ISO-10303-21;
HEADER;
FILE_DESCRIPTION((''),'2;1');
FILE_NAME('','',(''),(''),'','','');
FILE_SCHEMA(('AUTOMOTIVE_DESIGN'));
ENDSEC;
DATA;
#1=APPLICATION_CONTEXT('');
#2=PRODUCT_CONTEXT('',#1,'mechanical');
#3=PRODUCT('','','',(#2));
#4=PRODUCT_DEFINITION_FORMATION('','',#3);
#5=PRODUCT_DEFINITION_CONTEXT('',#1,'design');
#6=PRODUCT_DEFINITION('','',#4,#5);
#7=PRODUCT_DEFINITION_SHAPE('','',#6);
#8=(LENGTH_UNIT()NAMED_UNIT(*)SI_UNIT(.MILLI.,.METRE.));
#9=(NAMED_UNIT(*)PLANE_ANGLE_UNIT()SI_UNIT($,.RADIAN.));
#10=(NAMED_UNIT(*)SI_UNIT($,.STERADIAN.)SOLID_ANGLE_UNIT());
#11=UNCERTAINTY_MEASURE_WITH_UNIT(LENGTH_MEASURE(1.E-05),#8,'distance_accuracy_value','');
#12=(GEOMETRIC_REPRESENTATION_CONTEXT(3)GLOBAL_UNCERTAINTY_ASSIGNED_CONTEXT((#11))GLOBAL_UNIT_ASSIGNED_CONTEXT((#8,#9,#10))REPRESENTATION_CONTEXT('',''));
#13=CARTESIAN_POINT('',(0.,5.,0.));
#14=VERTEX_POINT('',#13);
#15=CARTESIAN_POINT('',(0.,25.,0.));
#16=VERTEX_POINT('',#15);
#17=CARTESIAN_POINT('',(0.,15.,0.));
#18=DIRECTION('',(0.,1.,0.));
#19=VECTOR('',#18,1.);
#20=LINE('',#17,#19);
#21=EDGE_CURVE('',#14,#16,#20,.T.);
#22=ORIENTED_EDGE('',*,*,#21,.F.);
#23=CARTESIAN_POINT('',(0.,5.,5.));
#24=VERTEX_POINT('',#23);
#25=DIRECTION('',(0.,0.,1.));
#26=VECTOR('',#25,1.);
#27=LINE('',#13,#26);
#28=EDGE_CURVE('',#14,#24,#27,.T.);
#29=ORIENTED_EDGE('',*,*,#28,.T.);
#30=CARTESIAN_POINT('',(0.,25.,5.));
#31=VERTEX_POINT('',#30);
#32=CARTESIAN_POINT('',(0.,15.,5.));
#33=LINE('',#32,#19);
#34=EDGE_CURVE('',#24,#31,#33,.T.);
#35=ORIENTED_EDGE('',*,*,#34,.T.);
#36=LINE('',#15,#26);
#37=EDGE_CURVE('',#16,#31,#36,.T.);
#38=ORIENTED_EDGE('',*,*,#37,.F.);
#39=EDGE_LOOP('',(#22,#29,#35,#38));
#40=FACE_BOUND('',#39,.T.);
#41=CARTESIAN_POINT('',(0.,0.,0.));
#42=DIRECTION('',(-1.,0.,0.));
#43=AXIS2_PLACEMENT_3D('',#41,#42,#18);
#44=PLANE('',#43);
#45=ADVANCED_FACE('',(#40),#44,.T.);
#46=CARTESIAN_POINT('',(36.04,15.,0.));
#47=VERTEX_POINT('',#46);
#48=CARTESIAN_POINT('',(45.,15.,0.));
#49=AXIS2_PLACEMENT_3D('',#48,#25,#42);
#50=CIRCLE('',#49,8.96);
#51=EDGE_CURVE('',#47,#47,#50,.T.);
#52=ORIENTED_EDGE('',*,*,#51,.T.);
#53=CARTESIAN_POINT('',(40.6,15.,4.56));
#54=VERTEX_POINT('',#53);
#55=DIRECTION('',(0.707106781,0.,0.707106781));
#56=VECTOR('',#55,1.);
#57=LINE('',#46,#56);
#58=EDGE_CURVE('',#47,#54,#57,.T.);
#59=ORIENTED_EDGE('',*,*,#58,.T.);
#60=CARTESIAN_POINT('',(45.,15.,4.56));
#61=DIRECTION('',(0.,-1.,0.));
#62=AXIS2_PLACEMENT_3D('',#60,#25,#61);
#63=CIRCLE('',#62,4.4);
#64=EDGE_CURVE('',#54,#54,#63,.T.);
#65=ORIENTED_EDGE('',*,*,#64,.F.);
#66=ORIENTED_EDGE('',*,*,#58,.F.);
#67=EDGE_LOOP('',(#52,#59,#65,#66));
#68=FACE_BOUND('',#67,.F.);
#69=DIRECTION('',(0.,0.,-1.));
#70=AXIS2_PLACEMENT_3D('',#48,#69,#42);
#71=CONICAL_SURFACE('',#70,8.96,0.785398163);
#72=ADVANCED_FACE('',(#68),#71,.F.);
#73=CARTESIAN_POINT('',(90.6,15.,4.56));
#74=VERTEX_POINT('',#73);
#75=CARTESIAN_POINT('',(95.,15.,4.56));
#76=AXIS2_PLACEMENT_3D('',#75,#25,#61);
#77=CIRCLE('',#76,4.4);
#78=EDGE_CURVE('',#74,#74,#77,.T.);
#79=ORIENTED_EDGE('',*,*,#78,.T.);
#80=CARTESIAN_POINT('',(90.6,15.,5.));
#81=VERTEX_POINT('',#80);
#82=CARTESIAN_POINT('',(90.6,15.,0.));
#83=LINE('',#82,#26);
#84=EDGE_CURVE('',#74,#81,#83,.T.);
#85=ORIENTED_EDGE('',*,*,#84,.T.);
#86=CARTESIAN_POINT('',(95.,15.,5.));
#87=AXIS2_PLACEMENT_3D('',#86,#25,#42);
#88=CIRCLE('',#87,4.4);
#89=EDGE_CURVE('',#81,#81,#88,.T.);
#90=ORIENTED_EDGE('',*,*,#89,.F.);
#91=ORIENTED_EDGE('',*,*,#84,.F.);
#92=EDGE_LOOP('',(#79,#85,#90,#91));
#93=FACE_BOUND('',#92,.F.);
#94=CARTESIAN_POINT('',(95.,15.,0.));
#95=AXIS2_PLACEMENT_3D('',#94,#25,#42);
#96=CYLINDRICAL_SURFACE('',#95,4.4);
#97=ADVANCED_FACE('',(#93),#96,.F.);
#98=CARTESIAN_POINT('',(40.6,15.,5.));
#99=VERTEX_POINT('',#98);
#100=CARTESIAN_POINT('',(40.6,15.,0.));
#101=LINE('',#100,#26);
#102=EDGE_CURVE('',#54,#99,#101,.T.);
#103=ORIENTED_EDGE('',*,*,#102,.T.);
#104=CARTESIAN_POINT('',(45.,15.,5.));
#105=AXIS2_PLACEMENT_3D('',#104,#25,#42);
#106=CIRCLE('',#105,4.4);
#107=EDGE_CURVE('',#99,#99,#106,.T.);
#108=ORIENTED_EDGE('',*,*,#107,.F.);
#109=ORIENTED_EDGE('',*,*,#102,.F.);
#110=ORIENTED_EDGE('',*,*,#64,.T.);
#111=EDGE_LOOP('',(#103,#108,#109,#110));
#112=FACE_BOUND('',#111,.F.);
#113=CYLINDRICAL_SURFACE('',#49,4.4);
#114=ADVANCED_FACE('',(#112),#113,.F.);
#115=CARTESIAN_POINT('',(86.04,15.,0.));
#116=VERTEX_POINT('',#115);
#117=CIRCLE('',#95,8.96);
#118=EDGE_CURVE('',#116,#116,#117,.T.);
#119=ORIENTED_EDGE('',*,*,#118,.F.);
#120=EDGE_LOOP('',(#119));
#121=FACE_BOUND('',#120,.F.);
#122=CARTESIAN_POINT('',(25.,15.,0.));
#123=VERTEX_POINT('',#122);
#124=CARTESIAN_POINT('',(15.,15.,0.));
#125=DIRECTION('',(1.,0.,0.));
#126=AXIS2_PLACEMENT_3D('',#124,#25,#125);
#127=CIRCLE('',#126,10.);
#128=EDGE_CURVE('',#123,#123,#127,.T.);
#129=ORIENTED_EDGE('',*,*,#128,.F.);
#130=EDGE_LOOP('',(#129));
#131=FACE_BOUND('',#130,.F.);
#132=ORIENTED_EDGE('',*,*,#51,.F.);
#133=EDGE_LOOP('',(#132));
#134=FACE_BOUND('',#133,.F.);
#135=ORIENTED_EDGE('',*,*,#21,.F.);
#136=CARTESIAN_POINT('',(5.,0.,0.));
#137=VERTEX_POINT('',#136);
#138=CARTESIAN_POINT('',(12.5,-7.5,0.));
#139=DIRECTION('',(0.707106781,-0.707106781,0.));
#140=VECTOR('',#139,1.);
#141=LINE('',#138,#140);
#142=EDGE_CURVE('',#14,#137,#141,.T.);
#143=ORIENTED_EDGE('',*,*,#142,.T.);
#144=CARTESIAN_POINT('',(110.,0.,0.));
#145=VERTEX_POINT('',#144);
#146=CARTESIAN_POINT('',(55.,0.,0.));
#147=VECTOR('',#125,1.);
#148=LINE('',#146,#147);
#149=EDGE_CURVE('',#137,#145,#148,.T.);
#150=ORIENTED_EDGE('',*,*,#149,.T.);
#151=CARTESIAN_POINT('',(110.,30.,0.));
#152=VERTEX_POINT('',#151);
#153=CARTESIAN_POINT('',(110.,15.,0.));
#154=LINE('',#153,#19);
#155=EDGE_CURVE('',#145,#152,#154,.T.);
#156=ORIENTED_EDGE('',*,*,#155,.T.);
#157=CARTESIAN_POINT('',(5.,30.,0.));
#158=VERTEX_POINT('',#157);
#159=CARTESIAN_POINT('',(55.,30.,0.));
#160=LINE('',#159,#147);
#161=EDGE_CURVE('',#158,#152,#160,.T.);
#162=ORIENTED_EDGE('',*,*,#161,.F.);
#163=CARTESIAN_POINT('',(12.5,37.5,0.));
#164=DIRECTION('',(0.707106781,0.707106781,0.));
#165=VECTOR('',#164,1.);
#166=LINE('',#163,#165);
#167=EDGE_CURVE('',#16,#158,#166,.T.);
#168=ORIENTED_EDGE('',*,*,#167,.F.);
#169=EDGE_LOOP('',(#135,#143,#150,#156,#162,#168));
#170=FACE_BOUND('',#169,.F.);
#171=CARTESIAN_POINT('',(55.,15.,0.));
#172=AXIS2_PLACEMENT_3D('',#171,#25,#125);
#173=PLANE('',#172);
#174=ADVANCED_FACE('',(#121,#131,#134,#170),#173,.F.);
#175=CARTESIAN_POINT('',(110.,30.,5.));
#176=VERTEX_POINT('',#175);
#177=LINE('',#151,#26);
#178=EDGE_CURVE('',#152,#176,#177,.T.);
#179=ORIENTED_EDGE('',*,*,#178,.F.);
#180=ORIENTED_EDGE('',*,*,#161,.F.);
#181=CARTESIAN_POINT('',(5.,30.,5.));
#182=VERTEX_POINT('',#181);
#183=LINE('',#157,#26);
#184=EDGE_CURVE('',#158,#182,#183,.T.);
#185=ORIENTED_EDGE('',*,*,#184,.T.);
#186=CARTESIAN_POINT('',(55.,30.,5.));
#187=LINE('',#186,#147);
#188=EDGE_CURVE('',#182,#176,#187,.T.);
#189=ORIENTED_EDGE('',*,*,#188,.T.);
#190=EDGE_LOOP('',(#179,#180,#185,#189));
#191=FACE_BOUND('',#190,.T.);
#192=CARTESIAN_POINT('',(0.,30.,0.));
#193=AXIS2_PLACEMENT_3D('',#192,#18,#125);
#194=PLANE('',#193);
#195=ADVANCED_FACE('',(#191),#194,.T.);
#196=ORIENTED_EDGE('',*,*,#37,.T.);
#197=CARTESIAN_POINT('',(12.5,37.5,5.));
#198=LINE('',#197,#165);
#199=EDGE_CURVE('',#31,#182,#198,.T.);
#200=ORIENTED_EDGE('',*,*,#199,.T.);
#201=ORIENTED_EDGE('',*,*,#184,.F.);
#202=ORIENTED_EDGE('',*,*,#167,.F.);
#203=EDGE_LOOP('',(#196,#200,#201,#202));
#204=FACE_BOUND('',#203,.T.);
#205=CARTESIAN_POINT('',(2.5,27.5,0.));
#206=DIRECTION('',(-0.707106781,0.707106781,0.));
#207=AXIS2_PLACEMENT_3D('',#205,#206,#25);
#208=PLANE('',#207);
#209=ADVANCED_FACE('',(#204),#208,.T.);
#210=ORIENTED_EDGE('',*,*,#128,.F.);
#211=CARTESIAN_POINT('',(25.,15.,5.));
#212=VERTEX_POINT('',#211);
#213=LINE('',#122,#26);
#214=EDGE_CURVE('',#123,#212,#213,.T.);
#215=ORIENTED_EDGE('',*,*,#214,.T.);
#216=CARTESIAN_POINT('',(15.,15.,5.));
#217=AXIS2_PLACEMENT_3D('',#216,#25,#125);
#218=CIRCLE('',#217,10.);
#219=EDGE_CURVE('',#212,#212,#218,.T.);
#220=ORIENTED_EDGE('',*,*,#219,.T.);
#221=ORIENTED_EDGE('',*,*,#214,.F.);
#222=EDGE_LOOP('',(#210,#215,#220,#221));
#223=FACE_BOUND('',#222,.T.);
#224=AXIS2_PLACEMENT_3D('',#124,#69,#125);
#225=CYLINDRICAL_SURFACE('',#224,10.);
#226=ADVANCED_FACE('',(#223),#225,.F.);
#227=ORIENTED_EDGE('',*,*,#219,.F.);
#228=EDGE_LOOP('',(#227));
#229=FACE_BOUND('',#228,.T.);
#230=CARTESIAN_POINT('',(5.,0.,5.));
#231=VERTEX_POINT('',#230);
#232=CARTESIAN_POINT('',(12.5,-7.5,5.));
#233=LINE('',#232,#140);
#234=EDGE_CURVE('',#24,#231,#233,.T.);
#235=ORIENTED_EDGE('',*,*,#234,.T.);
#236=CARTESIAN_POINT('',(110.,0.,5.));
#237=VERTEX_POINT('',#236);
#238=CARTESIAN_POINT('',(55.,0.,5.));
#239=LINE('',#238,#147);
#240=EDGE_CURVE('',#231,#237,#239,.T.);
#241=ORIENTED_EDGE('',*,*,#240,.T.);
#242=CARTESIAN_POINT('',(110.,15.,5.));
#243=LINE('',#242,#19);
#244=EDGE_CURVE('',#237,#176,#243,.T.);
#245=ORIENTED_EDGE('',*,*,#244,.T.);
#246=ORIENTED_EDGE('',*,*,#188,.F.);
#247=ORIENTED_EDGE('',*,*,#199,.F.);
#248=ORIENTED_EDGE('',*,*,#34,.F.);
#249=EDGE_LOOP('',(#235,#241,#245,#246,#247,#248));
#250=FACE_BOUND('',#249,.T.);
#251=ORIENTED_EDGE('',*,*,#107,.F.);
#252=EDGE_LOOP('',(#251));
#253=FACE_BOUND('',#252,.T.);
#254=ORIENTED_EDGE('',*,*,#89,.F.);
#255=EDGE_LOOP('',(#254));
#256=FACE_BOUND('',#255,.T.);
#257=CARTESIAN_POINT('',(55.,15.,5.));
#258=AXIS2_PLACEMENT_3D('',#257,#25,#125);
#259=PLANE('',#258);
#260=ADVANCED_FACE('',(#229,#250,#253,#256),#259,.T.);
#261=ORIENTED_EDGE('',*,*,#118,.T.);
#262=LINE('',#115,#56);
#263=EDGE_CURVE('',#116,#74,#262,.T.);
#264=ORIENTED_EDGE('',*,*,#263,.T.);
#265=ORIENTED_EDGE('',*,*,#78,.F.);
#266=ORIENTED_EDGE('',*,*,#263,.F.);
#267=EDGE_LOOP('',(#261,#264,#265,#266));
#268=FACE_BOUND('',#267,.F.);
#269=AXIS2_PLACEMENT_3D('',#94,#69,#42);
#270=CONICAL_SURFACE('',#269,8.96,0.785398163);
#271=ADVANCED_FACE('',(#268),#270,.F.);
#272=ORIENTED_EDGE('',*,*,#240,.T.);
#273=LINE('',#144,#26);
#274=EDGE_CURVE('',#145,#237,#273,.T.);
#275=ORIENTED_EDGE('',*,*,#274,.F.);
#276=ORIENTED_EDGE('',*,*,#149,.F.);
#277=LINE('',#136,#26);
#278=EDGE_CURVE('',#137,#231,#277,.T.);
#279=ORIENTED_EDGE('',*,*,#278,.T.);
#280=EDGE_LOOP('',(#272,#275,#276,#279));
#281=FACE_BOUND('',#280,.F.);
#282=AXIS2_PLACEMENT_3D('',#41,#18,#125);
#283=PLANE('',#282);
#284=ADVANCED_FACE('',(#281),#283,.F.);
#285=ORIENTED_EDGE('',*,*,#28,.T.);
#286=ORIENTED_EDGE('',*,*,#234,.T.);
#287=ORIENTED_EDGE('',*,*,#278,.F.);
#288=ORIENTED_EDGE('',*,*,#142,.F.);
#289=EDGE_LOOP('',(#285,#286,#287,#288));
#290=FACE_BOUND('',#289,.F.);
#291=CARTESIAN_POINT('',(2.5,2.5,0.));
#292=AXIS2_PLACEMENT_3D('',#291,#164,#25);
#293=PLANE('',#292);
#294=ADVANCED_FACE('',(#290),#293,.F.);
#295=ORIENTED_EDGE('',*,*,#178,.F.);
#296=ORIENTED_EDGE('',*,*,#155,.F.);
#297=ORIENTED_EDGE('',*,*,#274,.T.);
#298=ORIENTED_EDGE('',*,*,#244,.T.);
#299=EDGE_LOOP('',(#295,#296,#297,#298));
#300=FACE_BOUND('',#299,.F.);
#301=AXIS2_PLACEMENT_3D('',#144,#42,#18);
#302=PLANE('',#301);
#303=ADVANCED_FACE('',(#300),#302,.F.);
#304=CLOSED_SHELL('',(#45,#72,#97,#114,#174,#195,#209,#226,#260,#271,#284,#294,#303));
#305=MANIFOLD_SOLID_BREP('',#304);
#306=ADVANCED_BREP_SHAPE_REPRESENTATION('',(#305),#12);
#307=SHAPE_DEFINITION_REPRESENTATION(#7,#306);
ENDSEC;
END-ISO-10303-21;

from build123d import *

# Parameters (mm, degrees)
F0_W           = 110
F0_H           = 30
F0_R           = 10
F1_DEPTH       = 5
F2_SIZE        = 5
F3_D           = 8.8
F3_CSINK_D     = 17.92
F3_CSINK_ANGLE = 90


with BuildPart() as f1:
    # F0 (on Top) → F1 (new body)
    with BuildSketch(Plane.XY):
        with Locations((55, 15)):
            Rectangle(F0_W, F0_H)
        with Locations((15, 15)):
            Circle(F0_R, mode=Mode.SUBTRACT)
    extrude(amount=F1_DEPTH)

    # F2
    f2_edges = [f1.edges().sort_by_distance(p)[0] for p in [
        (0, 30, 2.5),
        (0, 0, 2.5),
    ]]
    chamfer(f2_edges, length=F2_SIZE)

    # F3 (through all)
    with Locations(Plane(origin=(0, 0, 0), x_dir=(1, 0, 0), z_dir=(0, 0, -1))):
        with Locations((95, -15), (45, -15)):
            CounterSinkHole(F3_D / 2, F3_CSINK_D / 2, counter_sink_angle=F3_CSINK_ANGLE)


solid = f1.part
